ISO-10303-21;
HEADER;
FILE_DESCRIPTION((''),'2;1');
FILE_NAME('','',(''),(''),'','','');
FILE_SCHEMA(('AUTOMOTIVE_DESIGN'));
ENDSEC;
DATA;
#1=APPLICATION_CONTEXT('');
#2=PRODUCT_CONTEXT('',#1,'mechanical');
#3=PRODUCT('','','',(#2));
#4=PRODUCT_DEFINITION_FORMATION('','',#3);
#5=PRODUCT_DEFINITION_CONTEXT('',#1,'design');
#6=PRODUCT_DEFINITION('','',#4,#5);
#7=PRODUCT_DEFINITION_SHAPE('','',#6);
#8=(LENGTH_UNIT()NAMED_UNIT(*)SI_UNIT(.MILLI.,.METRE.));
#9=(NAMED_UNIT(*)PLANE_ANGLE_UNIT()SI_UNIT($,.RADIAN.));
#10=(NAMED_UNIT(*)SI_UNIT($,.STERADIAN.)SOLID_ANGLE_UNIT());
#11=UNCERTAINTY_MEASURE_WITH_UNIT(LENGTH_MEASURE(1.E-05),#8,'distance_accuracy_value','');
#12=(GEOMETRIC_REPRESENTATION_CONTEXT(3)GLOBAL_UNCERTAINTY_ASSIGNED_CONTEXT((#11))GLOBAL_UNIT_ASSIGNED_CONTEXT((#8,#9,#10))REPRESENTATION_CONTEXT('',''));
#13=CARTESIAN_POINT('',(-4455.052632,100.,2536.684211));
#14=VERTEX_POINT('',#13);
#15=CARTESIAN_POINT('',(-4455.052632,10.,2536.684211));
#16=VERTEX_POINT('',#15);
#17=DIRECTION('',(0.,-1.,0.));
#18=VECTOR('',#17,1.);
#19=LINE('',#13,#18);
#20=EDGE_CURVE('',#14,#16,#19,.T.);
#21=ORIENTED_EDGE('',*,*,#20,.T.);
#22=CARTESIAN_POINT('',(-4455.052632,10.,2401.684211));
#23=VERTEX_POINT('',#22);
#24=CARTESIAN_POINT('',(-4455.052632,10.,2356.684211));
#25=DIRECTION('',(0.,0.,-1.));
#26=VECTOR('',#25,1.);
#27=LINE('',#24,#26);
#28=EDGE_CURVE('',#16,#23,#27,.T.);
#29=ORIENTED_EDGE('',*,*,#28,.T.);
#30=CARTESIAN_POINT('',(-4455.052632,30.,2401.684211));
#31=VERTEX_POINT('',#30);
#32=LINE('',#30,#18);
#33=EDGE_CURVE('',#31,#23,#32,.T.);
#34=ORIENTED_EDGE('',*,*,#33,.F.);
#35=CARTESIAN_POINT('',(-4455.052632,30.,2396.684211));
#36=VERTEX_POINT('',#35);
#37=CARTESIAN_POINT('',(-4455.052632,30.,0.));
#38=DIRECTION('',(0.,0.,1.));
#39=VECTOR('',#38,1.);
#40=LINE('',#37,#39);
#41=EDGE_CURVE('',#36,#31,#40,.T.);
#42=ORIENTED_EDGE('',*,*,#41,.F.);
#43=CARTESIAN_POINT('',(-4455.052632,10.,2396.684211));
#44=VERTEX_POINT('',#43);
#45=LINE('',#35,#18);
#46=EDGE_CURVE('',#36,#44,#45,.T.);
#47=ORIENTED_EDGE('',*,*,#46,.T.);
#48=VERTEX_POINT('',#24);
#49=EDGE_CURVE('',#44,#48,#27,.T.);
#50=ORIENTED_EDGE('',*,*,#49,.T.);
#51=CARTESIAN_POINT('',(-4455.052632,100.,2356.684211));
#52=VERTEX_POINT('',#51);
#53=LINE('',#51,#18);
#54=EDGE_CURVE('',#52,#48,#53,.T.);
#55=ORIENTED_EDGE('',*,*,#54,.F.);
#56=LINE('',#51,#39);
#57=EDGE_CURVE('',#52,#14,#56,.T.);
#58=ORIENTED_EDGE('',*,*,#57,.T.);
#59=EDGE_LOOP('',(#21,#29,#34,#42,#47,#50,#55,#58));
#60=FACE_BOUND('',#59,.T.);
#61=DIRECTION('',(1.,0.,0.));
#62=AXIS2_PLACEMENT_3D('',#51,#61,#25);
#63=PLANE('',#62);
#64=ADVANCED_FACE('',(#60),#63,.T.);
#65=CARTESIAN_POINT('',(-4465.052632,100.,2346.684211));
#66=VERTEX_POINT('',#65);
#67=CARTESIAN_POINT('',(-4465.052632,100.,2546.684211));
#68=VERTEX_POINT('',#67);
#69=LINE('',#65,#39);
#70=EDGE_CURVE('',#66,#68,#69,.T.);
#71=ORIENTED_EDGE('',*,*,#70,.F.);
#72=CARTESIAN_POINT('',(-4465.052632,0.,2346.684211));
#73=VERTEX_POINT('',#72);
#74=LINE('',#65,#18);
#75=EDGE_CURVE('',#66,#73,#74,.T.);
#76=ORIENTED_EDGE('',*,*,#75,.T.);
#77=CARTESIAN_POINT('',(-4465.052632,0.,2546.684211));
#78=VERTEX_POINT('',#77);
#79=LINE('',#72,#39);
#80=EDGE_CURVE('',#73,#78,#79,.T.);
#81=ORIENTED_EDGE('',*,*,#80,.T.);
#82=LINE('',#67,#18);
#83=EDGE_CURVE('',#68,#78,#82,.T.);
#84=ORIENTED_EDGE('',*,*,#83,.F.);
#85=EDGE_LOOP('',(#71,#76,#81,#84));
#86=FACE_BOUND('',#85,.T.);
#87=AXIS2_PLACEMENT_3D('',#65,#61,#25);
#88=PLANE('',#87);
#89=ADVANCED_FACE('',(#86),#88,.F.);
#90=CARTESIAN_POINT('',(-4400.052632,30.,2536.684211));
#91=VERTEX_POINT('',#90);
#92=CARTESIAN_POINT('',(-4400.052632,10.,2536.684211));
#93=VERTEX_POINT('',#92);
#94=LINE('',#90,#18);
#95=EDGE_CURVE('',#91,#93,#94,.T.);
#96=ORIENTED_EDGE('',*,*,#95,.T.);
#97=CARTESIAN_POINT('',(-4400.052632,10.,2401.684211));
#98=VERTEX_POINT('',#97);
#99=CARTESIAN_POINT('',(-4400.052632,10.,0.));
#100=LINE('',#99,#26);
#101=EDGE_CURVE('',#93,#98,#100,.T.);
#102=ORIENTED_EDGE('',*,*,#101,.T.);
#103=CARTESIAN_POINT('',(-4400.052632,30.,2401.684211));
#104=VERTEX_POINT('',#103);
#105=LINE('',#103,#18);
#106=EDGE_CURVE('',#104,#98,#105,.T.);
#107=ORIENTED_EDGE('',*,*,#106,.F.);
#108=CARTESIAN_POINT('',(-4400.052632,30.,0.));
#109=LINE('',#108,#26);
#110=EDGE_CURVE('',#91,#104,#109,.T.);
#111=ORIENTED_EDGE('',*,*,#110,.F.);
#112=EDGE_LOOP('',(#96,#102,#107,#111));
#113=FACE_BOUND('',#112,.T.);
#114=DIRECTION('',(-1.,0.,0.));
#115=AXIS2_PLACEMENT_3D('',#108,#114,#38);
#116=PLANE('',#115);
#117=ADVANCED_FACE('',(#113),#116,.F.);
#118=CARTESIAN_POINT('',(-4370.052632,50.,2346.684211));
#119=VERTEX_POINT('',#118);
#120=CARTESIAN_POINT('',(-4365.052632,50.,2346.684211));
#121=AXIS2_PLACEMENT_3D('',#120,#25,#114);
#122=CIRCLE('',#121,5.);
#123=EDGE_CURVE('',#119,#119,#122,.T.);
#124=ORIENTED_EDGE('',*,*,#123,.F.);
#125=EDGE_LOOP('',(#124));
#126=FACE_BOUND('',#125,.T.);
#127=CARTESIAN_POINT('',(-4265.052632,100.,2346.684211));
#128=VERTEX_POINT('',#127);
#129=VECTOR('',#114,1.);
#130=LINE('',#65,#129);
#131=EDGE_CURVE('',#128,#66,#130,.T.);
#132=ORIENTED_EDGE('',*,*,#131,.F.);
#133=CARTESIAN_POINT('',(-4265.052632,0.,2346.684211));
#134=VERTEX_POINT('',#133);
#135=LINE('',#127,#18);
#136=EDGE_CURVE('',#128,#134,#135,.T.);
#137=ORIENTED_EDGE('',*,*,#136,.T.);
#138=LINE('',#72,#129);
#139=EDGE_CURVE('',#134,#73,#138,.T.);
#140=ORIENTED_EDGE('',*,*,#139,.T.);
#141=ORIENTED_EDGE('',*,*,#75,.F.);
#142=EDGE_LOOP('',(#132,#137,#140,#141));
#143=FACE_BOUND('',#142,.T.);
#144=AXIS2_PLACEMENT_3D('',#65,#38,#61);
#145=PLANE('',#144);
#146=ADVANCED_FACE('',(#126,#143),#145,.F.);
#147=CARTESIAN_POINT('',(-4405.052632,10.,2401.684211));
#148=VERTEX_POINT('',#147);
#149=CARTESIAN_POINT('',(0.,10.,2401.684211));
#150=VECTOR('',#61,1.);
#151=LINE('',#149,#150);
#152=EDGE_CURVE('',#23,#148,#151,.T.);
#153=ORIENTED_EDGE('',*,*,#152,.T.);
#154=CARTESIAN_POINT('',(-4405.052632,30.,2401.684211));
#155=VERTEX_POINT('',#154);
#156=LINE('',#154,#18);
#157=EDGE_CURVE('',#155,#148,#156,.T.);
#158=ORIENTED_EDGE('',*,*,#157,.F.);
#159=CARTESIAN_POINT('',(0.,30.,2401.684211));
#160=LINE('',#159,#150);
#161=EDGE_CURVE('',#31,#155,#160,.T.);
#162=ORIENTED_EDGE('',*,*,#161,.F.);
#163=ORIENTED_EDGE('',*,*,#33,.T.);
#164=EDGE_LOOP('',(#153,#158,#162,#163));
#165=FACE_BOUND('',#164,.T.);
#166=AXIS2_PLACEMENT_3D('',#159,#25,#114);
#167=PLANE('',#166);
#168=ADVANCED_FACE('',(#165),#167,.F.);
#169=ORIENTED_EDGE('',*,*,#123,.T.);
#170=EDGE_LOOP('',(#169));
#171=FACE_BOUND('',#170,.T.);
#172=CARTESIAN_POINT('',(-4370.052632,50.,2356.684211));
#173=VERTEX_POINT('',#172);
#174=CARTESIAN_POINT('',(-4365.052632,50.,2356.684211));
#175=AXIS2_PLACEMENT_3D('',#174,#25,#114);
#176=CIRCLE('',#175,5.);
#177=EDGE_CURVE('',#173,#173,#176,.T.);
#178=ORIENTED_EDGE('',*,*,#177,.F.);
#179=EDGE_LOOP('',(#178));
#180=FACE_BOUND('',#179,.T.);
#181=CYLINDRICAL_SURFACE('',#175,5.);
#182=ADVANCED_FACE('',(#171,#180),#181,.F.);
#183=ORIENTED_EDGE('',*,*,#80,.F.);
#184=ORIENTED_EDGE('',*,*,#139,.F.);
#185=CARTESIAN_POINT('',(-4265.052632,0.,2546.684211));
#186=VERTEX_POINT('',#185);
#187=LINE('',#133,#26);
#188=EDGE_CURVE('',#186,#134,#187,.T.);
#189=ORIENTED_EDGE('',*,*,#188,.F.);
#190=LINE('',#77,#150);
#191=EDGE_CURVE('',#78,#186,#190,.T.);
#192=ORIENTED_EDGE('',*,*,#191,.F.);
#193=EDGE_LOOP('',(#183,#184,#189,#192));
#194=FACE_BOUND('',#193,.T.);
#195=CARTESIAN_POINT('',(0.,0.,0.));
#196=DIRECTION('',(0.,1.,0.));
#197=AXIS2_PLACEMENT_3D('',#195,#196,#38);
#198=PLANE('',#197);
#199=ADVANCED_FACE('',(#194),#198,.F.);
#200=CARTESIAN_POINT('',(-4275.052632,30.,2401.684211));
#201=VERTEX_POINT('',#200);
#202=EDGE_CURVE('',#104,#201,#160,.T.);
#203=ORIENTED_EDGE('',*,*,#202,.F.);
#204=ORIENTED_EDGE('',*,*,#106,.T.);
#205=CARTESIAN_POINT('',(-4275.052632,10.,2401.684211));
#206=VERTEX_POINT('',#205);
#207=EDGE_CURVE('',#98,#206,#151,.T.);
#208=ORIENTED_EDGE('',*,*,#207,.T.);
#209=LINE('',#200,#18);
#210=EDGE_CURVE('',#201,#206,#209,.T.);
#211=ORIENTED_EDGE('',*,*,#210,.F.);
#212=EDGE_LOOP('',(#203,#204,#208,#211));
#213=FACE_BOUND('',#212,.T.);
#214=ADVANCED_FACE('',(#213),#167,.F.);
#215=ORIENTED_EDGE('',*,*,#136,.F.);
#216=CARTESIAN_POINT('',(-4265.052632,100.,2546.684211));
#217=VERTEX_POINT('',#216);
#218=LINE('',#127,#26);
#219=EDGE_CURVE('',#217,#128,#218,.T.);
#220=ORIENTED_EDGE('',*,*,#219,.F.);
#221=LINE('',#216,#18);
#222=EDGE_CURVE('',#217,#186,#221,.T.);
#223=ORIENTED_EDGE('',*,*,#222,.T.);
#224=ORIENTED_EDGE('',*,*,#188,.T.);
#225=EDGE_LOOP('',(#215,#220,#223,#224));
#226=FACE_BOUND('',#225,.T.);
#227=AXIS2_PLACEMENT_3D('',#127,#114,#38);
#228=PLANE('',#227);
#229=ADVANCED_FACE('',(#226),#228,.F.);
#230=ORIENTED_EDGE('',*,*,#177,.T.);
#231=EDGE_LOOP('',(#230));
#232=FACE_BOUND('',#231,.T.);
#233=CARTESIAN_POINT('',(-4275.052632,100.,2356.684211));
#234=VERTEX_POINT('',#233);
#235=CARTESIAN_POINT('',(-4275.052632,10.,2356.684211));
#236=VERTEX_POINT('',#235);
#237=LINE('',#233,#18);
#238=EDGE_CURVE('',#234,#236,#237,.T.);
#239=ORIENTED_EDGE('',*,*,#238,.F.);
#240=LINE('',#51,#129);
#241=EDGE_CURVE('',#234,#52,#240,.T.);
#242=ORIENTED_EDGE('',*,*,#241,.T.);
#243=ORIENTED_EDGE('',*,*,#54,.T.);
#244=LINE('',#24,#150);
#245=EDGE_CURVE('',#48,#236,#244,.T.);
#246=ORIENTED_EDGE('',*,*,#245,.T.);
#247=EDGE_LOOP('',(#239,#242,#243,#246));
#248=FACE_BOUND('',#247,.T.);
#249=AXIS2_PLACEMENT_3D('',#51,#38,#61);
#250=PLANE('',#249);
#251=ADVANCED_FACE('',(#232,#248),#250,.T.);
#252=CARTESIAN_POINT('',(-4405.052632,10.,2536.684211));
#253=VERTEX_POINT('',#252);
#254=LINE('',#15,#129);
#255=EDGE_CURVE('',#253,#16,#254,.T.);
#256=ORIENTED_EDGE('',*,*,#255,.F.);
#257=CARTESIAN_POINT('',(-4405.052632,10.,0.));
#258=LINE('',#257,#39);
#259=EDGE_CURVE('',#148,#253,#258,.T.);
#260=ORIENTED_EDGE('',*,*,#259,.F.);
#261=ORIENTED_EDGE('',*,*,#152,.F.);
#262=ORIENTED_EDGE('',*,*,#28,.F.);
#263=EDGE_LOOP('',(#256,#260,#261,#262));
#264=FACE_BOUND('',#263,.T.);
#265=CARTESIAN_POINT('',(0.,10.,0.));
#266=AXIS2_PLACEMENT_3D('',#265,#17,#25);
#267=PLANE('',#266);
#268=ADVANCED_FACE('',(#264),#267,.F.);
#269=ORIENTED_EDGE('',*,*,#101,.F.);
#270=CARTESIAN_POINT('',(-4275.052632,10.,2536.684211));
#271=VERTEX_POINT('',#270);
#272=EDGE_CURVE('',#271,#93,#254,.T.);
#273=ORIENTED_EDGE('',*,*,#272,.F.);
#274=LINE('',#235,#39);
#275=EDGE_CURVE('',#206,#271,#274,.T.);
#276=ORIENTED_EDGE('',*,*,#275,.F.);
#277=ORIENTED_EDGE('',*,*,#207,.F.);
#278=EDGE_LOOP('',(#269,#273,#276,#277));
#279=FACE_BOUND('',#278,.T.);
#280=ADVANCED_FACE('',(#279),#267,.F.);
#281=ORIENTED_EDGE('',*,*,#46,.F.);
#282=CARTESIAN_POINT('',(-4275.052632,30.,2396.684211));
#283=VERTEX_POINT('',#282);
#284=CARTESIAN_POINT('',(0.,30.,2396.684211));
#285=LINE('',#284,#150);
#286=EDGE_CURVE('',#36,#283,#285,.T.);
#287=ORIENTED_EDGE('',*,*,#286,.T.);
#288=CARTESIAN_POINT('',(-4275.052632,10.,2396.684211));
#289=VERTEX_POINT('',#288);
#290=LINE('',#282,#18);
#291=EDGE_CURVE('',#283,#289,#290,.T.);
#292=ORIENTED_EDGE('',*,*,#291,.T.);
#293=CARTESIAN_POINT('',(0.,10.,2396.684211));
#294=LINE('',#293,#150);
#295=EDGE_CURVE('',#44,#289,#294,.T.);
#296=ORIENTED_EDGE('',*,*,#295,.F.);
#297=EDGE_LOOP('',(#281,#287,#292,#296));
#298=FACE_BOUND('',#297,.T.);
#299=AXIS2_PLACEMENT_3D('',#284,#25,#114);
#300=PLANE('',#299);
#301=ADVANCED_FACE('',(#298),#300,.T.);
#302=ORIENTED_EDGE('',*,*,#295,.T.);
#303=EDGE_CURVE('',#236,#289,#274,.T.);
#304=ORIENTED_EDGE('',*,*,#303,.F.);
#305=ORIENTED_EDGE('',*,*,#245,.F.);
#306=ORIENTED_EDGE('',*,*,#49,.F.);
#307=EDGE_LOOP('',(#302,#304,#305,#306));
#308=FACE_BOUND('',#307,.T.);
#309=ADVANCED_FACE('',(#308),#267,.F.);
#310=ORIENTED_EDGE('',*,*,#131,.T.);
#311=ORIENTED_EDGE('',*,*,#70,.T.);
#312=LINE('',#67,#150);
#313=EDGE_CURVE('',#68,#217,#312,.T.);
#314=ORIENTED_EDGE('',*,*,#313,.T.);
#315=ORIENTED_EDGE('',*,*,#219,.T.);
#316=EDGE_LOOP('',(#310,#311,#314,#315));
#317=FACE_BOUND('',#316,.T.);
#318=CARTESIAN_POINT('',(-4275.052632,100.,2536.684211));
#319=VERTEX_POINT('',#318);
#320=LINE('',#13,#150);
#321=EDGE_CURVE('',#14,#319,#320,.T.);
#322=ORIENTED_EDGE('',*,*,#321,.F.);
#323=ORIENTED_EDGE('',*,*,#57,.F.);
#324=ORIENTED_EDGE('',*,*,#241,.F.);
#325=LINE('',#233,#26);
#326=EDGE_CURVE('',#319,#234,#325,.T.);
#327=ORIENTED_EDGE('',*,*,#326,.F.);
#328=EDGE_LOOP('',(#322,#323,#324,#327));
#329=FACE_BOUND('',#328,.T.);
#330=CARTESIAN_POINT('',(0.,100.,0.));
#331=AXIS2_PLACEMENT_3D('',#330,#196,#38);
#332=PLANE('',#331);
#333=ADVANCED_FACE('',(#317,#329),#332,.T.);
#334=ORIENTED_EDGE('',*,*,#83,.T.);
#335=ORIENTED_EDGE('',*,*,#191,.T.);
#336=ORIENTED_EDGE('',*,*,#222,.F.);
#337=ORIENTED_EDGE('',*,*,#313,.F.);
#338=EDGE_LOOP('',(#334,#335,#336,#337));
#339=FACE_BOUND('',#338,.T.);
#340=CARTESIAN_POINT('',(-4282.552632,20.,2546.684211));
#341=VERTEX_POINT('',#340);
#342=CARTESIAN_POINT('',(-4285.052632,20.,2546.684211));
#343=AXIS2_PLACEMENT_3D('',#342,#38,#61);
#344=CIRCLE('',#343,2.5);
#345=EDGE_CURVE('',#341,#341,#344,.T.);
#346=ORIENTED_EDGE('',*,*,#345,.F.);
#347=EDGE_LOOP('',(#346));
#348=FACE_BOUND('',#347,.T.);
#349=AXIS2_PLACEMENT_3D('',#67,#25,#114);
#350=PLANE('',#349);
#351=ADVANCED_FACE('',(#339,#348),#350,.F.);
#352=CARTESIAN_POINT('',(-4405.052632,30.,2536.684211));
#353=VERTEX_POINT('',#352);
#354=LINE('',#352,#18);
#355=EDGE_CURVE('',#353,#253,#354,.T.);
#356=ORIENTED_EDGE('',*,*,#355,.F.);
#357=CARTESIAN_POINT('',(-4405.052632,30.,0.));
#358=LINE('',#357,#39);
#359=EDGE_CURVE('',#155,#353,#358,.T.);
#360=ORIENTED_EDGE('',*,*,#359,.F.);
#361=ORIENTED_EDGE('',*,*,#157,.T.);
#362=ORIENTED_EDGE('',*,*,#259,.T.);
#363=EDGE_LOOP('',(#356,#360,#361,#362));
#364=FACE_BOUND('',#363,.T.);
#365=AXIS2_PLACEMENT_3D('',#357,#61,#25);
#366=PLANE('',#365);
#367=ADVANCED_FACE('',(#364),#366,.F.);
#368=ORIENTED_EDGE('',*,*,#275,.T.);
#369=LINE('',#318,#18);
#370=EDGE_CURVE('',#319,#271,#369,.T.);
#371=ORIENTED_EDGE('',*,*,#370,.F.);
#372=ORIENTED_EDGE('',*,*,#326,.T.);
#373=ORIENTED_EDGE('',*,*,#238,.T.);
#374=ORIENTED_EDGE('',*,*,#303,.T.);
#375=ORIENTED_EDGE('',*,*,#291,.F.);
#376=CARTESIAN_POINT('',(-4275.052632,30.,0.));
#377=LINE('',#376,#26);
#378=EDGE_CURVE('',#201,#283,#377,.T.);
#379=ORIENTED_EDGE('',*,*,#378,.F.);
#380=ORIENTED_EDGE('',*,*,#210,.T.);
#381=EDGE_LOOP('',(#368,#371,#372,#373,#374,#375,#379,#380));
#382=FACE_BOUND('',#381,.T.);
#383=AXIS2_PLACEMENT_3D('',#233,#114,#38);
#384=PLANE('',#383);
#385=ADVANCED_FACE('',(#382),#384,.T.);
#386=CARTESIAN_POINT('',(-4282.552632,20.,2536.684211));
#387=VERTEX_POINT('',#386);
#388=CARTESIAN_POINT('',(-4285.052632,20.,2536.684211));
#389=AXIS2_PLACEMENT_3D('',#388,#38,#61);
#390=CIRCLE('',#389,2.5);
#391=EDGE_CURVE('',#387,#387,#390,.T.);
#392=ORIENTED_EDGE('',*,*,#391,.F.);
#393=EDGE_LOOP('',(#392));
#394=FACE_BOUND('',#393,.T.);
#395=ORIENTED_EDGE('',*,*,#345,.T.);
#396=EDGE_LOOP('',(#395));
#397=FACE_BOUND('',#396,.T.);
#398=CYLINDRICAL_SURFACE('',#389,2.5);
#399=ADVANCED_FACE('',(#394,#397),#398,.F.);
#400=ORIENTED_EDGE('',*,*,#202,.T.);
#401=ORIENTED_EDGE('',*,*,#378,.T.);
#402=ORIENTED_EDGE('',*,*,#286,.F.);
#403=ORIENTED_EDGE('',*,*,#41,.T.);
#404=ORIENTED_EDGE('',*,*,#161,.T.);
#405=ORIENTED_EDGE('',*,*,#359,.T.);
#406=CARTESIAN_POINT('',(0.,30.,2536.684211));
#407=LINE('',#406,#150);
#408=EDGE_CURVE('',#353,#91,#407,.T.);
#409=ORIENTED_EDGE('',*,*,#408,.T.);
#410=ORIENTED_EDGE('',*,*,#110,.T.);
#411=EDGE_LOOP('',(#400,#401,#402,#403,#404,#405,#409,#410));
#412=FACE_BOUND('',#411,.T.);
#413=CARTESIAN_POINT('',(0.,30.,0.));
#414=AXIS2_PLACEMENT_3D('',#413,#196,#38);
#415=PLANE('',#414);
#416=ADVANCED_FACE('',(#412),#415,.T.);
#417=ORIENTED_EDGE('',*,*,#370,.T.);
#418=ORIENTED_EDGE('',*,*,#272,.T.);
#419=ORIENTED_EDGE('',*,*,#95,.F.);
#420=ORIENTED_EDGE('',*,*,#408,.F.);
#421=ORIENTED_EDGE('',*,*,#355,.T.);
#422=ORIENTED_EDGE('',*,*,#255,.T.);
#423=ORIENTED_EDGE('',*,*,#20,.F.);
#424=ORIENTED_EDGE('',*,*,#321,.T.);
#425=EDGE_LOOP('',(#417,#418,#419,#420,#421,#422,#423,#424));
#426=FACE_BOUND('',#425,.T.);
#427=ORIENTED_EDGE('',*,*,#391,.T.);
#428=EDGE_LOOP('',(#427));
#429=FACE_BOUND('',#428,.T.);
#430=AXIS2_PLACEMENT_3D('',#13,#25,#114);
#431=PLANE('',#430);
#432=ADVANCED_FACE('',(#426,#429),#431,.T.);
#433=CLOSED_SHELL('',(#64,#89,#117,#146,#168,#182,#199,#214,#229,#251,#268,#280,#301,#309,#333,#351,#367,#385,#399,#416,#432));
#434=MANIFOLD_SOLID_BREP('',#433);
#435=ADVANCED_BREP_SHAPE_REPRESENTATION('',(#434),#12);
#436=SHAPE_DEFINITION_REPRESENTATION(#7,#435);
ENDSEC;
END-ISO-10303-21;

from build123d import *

# Parameters (mm, degrees)
SKETCH1_W           = 200
SKETCH1_H           = 200
SKETCH1_W_2         = 180
SKETCH1_H_2         = 180
BOSS_EXTRUDE1_DEPTH = 100
SKETCH2_W           = 200
SKETCH2_H           = 200
BOSS_EXTRUDE2_DEPTH = 10
SKETCH3_R           = 5
CUT_EXTRUDE1_DEPTH  = 10
SKETCH4_W           = 5
SKETCH4_H           = 135
BOSS_EXTRUDE3_DEPTH = 20
SKETCH6_R           = 2.5
CUT_EXTRUDE2_DEPTH  = 10


with BuildPart() as part:
    # Sketch1 → Boss-Extrude1 (new body)
    with BuildSketch(Plane(origin=(0, 0, 0), x_dir=(1, 0, 0), z_dir=(0, 1, 0))):
        with Locations((-4365.052631579, -2446.684210526)):
            Rectangle(SKETCH1_W, SKETCH1_H)
        with Locations((-4365.052631579, -2446.684210526)):
            Rectangle(SKETCH1_W_2, SKETCH1_H_2, mode=Mode.SUBTRACT)
    extrude(amount=BOSS_EXTRUDE1_DEPTH)

    # Sketch2 → Boss-Extrude2 (add)
    with BuildSketch(Plane(origin=(0, 0, 0), x_dir=(1, 0, 0), z_dir=(0, 1, 0))):
        with Locations((-4365.052631579, -2446.684210526)):
            Rectangle(SKETCH2_W, SKETCH2_H)
    extrude(amount=BOSS_EXTRUDE2_DEPTH)

    # Sketch3 → Cut-Extrude1 (cut)
    with BuildSketch(Plane(origin=(0, 0, 2346.684210526), x_dir=(-1, 0, 0), z_dir=(0, 0, -1))):
        with Locations((4365.052631579, 50)):
            Circle(SKETCH3_R)
    extrude(amount=-CUT_EXTRUDE1_DEPTH, mode=Mode.SUBTRACT)

    # Sketch4 → Boss-Extrude3 (add)
    with BuildSketch(Plane(origin=(0, 10, 0), x_dir=(1, 0, 0), z_dir=(0, 1, 0))):
        with Locations((-4402.552631579, -2469.184210526)):
            Rectangle(SKETCH4_W, SKETCH4_H)
        Polygon((-4275.052631579, -2396.684210526), (-4455.052631579, -2396.684210526), (-4455.052631579, -2401.684210526), (-4405.052631579, -2401.684210526), (-4400.052631579, -2401.684210526), (-4275.052631579, -2401.684210526), align=None)
    extrude(amount=BOSS_EXTRUDE3_DEPTH)

    # Sketch6 → Cut-Extrude2 (cut)
    with BuildSketch(Plane.XY.offset(2546.684210526)):
        with Locations((-4285.052631579, 20)):
            Circle(SKETCH6_R)
    extrude(amount=-CUT_EXTRUDE2_DEPTH, mode=Mode.SUBTRACT)


solid = part.part
